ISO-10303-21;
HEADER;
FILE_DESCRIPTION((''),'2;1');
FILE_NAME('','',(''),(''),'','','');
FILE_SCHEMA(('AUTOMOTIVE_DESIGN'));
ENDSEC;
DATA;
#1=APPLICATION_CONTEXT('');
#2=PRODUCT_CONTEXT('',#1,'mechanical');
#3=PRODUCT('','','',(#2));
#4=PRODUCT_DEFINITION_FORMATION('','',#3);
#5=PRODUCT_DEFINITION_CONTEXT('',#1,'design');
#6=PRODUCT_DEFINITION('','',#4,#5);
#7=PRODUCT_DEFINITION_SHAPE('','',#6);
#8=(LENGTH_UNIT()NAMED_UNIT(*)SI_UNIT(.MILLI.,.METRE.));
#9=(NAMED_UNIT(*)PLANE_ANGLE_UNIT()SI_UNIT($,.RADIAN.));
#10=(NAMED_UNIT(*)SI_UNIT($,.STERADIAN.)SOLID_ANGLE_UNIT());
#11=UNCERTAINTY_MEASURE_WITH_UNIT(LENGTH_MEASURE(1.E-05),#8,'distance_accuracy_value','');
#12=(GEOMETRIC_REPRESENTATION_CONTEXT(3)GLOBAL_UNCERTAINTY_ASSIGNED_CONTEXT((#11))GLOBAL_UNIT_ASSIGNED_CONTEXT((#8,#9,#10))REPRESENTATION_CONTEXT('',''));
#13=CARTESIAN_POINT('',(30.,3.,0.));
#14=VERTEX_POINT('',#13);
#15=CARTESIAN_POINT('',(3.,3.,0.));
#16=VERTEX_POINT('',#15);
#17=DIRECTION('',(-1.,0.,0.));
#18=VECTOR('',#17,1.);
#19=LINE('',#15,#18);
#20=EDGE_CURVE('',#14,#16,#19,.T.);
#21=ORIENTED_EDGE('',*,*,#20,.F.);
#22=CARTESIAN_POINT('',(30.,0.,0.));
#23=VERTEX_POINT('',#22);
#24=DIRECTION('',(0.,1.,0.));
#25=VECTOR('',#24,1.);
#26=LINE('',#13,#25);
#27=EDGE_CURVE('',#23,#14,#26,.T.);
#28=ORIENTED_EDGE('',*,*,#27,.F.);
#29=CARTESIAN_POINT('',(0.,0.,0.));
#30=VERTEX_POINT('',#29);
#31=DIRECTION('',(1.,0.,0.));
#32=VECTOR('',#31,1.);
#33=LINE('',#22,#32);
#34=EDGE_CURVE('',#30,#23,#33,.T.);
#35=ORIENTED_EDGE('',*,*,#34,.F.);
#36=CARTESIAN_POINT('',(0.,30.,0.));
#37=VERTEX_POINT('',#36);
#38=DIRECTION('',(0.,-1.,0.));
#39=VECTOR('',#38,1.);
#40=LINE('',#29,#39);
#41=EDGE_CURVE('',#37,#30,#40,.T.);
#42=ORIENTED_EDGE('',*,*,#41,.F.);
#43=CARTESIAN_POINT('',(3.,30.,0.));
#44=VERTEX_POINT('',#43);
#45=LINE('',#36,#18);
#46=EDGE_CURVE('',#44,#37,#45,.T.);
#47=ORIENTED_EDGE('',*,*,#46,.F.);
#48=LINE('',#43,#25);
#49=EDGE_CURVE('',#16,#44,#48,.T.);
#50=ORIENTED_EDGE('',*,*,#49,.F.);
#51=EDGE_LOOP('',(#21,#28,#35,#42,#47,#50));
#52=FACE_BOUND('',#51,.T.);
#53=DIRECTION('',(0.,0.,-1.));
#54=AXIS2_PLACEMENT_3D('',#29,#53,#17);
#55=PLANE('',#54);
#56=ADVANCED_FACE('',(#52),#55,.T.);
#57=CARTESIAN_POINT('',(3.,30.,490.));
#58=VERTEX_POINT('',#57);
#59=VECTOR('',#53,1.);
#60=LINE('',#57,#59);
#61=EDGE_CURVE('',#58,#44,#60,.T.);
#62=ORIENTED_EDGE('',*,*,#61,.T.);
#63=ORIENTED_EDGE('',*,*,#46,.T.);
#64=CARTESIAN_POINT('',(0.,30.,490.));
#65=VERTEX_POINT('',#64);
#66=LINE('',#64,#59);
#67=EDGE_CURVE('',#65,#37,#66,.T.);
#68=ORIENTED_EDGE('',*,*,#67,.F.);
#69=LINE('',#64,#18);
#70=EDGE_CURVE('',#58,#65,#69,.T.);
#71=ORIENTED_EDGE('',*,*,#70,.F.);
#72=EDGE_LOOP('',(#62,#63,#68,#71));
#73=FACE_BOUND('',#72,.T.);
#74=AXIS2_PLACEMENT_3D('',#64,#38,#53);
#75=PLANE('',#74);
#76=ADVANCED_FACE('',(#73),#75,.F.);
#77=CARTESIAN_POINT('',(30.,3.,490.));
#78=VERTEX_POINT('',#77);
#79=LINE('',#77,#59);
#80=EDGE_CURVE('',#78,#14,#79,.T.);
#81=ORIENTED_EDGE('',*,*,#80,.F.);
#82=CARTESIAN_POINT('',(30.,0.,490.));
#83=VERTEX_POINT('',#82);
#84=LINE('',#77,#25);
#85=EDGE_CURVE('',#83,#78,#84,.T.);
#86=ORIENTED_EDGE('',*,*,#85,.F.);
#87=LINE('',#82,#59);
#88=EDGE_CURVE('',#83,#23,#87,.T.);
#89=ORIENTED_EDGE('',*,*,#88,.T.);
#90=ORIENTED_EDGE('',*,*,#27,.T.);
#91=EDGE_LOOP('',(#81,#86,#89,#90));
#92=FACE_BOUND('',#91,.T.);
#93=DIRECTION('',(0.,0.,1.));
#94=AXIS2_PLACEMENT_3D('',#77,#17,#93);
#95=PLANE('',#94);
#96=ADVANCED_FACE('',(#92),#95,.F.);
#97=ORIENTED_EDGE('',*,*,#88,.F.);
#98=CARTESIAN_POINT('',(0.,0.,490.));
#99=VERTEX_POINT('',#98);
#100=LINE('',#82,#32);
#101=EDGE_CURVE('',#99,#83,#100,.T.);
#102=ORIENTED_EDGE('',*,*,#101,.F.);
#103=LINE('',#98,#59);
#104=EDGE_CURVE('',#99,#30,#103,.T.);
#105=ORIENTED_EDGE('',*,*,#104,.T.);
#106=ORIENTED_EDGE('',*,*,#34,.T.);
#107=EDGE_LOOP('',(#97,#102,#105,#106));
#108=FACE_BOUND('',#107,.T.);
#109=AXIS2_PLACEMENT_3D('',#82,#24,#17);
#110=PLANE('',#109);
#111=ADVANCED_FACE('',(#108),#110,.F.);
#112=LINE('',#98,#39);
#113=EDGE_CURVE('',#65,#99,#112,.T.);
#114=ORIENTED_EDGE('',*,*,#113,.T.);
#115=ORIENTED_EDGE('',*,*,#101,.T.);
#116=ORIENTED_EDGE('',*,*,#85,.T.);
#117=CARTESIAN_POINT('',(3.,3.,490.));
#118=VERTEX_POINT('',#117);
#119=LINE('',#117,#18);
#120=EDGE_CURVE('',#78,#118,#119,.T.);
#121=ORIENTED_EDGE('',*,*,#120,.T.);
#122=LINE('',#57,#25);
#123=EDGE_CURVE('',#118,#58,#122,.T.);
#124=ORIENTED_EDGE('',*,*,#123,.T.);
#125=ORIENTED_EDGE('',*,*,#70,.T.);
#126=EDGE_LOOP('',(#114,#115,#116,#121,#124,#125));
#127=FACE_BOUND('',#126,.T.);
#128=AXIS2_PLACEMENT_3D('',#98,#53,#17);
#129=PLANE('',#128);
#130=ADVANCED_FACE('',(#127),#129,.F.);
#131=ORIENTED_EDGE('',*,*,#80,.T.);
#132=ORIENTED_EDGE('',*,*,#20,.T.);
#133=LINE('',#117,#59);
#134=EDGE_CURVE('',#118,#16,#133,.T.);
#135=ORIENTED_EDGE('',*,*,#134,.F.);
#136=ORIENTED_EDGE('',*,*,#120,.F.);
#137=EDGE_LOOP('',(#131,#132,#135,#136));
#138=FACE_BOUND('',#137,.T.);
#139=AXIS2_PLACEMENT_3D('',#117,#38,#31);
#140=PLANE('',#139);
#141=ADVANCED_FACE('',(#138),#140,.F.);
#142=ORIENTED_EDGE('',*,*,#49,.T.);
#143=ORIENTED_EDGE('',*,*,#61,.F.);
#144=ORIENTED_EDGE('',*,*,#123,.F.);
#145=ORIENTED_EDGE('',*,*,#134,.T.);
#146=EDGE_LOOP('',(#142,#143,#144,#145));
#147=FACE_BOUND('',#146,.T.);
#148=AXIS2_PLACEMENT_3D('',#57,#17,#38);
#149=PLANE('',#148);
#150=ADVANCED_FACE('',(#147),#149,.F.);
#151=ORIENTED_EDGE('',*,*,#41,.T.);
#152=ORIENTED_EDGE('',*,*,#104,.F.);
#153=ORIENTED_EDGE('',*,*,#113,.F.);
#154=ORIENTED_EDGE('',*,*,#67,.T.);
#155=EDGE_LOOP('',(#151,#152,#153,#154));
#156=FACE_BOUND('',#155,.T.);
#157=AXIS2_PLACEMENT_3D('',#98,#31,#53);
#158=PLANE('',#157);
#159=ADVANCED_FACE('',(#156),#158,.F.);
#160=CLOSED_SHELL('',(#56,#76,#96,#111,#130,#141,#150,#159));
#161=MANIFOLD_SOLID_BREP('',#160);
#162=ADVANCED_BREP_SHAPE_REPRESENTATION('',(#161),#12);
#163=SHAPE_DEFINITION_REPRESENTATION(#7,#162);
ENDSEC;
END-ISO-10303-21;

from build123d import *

# Parameters (mm, degrees)
EXTRUDE_1_DEPTH = 490


with BuildPart() as part:
    # Эскиз1 → Бобышка-Вытянуть1 (new body)
    with BuildSketch(Plane.XY):
        Polygon((0, 0), (0, 30), (3, 30), (3, 3), (30, 3), (30, 0), align=None)
    extrude(amount=EXTRUDE_1_DEPTH)


solid = part.part
